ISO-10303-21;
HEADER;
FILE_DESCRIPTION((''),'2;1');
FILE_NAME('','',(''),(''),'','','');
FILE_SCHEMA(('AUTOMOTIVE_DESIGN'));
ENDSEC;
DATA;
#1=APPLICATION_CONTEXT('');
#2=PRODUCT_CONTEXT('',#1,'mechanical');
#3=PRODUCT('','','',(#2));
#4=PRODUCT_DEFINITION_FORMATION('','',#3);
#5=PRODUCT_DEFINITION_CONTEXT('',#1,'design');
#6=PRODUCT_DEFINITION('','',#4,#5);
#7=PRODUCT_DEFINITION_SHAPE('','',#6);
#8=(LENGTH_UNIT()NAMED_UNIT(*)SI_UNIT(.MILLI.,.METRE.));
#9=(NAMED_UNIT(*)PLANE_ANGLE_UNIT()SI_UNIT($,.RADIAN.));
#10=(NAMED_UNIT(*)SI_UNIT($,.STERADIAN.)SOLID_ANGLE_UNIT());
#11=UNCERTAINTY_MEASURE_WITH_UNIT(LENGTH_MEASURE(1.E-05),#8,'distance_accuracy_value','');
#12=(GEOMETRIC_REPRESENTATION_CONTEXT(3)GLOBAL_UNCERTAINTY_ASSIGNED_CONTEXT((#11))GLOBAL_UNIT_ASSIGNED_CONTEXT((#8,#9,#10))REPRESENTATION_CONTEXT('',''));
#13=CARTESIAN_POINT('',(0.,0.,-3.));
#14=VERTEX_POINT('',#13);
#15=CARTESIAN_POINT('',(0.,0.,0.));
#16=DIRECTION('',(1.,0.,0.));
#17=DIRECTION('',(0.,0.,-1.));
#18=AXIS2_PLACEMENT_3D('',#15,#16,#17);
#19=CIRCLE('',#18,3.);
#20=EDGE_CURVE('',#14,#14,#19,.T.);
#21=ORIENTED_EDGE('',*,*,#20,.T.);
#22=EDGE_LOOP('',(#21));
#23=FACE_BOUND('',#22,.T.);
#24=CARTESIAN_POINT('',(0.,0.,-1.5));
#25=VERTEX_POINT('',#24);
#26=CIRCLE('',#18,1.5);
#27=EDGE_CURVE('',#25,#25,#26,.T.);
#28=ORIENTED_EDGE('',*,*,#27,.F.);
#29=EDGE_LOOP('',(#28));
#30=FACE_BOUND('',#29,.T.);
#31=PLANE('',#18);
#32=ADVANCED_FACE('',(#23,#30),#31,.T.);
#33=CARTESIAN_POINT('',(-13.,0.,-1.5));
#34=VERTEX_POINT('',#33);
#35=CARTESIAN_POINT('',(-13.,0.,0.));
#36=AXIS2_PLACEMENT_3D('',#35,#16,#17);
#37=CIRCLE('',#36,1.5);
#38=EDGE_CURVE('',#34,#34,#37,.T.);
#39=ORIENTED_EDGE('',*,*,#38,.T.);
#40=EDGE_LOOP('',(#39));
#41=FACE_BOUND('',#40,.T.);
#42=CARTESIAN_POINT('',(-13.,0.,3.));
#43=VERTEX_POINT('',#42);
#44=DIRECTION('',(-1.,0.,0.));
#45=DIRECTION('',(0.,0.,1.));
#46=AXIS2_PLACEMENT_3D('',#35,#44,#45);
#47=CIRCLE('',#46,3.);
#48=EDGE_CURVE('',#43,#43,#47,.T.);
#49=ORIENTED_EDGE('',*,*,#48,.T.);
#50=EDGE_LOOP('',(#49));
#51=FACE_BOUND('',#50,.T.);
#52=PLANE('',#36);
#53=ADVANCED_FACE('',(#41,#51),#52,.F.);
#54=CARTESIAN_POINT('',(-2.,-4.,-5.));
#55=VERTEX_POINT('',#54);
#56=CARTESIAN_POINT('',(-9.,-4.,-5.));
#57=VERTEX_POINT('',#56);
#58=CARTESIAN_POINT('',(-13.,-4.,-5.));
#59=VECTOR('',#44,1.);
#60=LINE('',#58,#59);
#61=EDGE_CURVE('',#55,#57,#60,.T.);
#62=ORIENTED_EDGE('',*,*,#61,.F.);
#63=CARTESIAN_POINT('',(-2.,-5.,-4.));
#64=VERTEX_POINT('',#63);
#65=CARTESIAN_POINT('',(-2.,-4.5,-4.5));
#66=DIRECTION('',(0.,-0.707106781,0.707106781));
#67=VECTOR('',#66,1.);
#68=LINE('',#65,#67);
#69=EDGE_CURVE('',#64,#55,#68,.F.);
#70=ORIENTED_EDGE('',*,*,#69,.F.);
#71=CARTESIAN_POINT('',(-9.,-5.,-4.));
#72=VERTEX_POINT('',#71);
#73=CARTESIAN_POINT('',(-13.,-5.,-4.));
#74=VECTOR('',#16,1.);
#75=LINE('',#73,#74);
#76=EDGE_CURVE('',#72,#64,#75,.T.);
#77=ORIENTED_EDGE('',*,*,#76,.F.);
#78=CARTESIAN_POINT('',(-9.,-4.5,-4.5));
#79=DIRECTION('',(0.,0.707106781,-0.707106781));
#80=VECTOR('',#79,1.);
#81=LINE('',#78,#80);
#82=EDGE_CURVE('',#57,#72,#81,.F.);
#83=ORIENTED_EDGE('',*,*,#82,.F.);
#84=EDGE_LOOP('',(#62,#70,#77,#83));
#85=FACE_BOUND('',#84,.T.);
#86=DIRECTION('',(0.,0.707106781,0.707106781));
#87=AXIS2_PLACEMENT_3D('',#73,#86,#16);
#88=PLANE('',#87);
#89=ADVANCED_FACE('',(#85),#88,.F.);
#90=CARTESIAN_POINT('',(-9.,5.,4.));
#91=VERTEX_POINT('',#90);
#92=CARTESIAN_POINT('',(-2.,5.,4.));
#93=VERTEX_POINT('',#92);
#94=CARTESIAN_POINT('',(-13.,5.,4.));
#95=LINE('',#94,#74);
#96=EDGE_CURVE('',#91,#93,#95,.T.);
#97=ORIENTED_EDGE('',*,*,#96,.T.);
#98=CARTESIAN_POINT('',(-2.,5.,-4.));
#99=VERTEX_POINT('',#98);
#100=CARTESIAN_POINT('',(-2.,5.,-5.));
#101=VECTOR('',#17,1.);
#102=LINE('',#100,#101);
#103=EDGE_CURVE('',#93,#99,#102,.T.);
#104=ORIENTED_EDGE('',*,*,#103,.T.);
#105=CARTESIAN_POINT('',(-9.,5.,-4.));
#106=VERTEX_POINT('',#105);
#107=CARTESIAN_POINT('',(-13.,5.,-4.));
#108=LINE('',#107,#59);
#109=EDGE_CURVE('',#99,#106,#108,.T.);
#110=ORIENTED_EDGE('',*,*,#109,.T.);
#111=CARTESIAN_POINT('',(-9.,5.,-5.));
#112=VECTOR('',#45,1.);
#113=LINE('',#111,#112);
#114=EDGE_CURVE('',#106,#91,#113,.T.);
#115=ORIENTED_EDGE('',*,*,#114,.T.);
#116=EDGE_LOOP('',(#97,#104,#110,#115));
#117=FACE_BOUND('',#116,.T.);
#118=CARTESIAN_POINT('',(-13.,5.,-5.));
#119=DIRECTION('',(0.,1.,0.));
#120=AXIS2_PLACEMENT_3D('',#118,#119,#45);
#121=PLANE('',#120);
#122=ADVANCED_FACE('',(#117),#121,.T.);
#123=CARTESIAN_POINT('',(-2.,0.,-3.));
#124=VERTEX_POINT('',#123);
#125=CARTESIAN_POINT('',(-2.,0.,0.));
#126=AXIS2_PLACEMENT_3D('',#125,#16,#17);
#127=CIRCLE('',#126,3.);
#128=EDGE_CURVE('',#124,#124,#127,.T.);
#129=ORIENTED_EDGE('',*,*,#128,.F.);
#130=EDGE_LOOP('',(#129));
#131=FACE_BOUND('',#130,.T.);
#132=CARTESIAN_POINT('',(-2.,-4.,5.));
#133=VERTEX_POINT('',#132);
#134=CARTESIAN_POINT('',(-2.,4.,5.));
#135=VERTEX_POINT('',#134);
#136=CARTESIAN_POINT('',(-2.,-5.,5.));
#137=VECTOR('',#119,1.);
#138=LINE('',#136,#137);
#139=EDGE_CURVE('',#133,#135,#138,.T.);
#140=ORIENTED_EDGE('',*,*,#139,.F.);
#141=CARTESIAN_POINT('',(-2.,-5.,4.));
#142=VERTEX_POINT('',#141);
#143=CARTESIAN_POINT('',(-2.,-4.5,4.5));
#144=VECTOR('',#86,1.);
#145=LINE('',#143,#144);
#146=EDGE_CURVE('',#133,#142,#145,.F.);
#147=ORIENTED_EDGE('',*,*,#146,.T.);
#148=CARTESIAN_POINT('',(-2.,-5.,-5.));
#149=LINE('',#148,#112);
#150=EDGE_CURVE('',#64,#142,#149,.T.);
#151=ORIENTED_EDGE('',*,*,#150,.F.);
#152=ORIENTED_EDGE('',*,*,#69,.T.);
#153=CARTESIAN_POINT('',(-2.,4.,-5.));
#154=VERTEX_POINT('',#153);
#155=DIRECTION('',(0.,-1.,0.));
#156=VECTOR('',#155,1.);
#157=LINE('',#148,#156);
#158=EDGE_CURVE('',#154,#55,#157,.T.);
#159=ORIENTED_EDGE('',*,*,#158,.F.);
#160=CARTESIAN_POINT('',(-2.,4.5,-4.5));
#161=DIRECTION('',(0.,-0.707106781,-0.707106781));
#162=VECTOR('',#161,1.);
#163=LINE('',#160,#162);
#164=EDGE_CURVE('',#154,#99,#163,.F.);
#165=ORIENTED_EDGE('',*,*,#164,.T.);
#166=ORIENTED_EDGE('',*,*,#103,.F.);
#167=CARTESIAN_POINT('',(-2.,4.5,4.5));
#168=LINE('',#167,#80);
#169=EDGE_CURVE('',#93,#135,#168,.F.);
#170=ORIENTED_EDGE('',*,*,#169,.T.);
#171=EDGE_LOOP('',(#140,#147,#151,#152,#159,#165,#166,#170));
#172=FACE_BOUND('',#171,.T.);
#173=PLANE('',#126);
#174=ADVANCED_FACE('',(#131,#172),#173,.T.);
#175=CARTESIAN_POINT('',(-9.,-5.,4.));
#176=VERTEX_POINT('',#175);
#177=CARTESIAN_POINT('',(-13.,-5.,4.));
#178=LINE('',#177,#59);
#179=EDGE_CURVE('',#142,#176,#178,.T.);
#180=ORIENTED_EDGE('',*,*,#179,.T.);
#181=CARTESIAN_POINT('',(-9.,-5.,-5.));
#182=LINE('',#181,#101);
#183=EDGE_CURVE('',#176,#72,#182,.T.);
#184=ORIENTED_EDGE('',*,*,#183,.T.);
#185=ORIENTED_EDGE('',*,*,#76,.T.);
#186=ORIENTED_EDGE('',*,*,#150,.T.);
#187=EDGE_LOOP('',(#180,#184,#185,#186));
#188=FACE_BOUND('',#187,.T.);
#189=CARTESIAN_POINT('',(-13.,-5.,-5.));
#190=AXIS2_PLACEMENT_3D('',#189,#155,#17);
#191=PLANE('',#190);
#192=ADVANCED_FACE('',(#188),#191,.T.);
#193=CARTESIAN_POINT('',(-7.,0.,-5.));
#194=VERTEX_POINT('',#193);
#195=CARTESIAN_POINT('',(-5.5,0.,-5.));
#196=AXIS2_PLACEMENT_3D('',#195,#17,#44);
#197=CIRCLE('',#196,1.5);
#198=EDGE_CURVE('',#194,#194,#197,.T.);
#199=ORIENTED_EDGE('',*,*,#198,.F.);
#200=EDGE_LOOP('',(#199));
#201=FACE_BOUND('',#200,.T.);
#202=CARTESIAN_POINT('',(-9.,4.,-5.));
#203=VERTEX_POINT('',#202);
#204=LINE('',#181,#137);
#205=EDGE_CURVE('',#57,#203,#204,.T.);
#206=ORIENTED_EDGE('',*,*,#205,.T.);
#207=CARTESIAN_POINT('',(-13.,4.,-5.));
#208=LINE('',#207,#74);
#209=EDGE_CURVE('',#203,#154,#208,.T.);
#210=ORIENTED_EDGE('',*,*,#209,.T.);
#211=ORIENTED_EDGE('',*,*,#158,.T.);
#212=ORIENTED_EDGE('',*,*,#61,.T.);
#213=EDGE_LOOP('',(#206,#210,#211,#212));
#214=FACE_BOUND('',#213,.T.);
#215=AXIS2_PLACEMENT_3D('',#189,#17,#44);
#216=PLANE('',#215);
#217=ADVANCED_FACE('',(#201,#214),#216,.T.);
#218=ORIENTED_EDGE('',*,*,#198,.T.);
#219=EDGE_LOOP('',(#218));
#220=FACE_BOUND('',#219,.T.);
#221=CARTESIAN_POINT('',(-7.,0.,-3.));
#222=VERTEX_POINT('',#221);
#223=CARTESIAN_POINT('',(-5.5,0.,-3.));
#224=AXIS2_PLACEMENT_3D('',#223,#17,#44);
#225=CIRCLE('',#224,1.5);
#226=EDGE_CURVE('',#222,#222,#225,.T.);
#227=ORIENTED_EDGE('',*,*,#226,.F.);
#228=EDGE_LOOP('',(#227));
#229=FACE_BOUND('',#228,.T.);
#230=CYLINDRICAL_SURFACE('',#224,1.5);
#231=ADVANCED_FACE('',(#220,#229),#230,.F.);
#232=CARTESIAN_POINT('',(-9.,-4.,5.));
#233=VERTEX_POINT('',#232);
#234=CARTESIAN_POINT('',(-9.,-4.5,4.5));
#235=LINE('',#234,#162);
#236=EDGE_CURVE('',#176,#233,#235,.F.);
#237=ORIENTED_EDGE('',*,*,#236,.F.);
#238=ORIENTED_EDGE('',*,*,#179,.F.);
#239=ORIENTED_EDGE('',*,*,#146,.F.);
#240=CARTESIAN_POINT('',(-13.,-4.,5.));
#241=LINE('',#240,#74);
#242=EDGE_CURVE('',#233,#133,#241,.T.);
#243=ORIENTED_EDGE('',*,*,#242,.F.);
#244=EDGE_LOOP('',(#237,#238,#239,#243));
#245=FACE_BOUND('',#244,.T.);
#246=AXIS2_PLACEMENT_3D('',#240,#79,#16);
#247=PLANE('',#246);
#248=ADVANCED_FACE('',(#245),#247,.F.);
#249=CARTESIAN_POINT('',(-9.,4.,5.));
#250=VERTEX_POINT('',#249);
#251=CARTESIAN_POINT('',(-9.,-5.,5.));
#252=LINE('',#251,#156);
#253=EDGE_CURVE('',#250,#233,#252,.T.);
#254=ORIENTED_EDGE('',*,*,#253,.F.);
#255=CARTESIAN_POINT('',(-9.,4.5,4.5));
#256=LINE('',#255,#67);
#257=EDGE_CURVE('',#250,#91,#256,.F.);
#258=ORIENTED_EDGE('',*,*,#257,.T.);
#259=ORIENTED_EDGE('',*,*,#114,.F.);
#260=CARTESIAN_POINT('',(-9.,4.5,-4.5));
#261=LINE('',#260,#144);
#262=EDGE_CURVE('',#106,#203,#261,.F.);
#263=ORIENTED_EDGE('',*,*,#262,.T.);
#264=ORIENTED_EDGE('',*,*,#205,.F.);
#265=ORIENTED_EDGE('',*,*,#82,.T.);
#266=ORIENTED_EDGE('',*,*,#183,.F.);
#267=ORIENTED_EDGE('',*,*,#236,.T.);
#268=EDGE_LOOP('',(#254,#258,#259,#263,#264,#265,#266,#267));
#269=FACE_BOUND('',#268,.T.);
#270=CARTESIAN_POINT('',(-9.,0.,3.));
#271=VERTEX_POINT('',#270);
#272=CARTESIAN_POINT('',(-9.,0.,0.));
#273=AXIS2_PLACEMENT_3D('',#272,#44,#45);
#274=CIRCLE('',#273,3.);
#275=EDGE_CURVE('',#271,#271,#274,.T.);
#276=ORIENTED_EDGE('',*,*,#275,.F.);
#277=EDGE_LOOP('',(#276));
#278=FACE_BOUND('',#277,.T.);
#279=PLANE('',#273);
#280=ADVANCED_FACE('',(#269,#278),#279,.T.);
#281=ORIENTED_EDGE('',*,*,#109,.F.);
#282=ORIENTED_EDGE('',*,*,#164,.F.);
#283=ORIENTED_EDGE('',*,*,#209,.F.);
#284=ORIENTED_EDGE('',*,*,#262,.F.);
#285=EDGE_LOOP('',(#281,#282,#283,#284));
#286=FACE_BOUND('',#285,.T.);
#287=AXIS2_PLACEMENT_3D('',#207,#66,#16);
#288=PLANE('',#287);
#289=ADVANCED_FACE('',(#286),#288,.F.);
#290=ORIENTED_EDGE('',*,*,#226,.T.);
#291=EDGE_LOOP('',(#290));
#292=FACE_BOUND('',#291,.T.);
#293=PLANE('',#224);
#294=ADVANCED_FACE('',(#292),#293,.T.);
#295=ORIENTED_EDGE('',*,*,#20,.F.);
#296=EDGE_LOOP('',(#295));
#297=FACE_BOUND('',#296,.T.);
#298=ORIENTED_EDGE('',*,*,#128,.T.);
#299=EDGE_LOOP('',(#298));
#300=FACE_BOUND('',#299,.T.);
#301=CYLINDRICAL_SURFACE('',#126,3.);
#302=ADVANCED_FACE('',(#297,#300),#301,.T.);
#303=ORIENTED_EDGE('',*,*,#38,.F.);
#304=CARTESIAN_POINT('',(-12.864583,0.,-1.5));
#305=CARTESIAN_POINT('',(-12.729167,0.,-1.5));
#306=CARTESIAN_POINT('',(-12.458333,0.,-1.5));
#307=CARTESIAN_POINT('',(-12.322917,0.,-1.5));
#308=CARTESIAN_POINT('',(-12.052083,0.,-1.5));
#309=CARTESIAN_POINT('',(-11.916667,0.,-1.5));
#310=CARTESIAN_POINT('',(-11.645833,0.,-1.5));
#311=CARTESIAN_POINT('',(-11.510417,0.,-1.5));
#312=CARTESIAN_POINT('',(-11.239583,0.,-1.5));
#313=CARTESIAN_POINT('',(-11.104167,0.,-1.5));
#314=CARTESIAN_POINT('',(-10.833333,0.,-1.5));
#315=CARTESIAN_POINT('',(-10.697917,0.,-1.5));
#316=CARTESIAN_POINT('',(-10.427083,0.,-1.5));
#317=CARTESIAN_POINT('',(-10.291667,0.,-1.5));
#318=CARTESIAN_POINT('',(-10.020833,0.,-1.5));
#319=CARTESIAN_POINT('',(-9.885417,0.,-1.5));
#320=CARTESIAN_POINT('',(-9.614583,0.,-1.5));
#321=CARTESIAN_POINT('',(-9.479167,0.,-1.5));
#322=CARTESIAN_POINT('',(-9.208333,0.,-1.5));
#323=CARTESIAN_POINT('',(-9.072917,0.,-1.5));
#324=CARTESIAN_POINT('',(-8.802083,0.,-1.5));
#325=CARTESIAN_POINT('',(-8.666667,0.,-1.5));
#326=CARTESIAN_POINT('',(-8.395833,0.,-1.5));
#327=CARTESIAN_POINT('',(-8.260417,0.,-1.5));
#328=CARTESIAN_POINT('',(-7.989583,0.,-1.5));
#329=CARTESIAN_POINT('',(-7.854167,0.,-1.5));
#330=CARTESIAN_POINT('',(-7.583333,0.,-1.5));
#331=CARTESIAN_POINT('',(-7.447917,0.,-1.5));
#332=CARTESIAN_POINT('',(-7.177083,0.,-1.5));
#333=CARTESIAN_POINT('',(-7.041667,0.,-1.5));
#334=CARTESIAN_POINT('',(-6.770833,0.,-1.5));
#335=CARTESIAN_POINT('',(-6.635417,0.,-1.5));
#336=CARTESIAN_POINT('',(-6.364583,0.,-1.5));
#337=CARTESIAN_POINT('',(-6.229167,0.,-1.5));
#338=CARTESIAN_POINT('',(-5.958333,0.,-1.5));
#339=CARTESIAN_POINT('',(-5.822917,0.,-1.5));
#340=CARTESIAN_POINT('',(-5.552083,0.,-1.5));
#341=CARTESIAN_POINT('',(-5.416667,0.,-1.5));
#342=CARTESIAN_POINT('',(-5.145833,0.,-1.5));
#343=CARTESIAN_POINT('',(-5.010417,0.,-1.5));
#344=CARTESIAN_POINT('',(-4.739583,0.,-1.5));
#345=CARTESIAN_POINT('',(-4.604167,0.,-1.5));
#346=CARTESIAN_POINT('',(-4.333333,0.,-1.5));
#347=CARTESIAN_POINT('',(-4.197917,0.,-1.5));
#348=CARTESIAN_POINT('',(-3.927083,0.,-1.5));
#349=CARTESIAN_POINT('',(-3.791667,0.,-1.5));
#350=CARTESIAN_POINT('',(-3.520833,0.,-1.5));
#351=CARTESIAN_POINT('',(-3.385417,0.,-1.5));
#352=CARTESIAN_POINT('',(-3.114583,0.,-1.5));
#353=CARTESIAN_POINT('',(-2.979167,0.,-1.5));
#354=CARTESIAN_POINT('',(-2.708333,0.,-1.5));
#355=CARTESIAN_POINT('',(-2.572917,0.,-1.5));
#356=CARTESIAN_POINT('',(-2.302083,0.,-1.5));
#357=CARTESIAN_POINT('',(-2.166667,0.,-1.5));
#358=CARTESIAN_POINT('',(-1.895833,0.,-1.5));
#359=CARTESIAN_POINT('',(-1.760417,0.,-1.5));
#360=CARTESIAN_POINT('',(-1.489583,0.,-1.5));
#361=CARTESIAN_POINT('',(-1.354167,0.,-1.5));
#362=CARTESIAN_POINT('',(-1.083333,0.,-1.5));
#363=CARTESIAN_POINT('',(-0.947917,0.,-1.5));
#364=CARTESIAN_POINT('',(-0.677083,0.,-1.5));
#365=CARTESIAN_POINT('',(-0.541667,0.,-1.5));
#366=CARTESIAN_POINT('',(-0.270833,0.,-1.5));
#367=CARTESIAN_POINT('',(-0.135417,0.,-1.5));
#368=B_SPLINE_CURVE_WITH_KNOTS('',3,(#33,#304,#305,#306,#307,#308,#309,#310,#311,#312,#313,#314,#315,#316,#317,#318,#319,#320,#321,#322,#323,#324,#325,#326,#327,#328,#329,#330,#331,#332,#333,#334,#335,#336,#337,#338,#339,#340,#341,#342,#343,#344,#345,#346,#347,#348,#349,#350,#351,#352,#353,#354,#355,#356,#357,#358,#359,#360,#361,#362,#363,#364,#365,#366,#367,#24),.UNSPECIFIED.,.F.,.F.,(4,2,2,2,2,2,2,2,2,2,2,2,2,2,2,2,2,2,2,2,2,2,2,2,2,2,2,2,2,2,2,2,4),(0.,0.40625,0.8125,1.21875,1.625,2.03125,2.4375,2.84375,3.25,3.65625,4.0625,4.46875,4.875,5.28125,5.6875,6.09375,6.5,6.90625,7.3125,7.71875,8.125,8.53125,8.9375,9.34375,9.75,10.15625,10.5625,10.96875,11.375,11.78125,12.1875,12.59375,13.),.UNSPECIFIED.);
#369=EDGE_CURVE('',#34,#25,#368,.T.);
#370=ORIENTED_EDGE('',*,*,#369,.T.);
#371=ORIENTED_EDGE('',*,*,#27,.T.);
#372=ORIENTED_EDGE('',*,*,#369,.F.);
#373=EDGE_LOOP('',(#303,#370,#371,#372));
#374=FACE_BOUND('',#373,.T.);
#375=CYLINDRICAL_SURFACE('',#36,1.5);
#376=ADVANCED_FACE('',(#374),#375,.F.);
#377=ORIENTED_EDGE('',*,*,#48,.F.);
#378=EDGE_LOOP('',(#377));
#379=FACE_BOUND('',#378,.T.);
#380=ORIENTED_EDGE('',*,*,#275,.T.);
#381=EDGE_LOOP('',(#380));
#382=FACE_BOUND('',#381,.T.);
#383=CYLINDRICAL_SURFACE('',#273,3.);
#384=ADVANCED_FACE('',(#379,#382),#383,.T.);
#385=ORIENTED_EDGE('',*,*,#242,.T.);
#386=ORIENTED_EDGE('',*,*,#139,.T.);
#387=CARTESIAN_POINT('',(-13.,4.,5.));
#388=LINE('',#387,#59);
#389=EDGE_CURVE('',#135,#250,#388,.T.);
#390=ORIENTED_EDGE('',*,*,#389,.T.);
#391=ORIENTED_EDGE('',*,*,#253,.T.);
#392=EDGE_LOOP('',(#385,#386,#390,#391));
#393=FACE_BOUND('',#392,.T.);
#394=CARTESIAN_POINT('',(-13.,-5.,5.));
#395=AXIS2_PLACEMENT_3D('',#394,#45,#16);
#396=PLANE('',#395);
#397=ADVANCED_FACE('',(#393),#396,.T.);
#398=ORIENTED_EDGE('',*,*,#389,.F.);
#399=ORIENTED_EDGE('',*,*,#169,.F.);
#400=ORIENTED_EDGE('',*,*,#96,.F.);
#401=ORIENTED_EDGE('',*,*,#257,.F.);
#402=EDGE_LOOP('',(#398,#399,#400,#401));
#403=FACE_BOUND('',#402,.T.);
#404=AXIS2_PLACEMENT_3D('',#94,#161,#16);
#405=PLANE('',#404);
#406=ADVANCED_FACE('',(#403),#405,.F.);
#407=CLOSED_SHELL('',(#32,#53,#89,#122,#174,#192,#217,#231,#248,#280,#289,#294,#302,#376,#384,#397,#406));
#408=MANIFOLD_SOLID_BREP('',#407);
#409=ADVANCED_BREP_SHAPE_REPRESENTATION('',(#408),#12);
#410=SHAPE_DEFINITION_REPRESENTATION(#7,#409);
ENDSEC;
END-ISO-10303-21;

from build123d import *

# Parameters (mm, degrees)
SKETCH1_W           = 10
SKETCH1_H           = 10
BOSS_EXTRUDE1_DEPTH = 13
SKETCH2_R           = 15.353568197
SKETCH2_R_2         = 3
CUT_EXTRUDE1_DEPTH  = 2
CUT_EXTRUDE2_START  = -4
SKETCH3_R           = 15.635411304
SKETCH3_R_2         = 3
CUT_EXTRUDE2_DEPTH  = 4
SKETCH4_R           = 1.5
CUT_EXTRUDE3_DEPTH  = 15.798648587
CHAMFER1_SIZE       = 1
CUT_EXTRUDE4_START  = 5
SKETCH5_R           = 1.5
CUT_EXTRUDE4_DEPTH  = 2


with BuildPart() as part:
    # Sketch1 → Boss-Extrude1 (new body)
    with BuildSketch(Plane(origin=(0, 0, 0), x_dir=(0, 0, -1), z_dir=(1, 0, 0))):
        Rectangle(SKETCH1_W, SKETCH1_H)
    extrude(amount=-BOSS_EXTRUDE1_DEPTH)

    # Sketch2 → Cut-Extrude1 (cut)
    with BuildSketch(Plane(origin=(0, 0, 0), x_dir=(0, 0, -1), z_dir=(1, 0, 0))):
        Circle(SKETCH2_R)
        Circle(SKETCH2_R_2, mode=Mode.SUBTRACT)
    extrude(amount=-CUT_EXTRUDE1_DEPTH, mode=Mode.SUBTRACT)

    # Sketch3 → Cut-Extrude2 (cut)
    with BuildSketch(Plane.ZY.offset(13).offset(CUT_EXTRUDE2_START)):
        Circle(SKETCH3_R)
        with Locations(Location((0, 0, 0), (0, 0, 180))):
            Circle(SKETCH3_R_2, mode=Mode.SUBTRACT)
    extrude(amount=CUT_EXTRUDE2_DEPTH, mode=Mode.SUBTRACT)

    # Sketch4 → Cut-Extrude3 (cut, through all)
    with BuildSketch(Plane(origin=(0, 0, 0), x_dir=(0, 0, -1), z_dir=(1, 0, 0))):
        Circle(SKETCH4_R)
    extrude(amount=-CUT_EXTRUDE3_DEPTH, mode=Mode.SUBTRACT)

    # Chamfer1
    chamfer1_edges = [part.edges().sort_by_distance(p)[0] for p in [
        (-5.5, -5, -5),
        (-5.5, -5, 5),
        (-5.5, 5, -5),
        (-5.5, 5, 5),
    ]]
    chamfer(chamfer1_edges, length=CHAMFER1_SIZE)

    # Sketch5 → Cut-Extrude4 (cut)
    with BuildSketch(Plane(origin=(0, 0, 0), x_dir=(-1, 0, 0), z_dir=(0, 0, -1)).offset(CUT_EXTRUDE4_START)):
        with Locations((5.5, 0)):
            Circle(SKETCH5_R)
    extrude(amount=-CUT_EXTRUDE4_DEPTH, mode=Mode.SUBTRACT)


solid = part.part
